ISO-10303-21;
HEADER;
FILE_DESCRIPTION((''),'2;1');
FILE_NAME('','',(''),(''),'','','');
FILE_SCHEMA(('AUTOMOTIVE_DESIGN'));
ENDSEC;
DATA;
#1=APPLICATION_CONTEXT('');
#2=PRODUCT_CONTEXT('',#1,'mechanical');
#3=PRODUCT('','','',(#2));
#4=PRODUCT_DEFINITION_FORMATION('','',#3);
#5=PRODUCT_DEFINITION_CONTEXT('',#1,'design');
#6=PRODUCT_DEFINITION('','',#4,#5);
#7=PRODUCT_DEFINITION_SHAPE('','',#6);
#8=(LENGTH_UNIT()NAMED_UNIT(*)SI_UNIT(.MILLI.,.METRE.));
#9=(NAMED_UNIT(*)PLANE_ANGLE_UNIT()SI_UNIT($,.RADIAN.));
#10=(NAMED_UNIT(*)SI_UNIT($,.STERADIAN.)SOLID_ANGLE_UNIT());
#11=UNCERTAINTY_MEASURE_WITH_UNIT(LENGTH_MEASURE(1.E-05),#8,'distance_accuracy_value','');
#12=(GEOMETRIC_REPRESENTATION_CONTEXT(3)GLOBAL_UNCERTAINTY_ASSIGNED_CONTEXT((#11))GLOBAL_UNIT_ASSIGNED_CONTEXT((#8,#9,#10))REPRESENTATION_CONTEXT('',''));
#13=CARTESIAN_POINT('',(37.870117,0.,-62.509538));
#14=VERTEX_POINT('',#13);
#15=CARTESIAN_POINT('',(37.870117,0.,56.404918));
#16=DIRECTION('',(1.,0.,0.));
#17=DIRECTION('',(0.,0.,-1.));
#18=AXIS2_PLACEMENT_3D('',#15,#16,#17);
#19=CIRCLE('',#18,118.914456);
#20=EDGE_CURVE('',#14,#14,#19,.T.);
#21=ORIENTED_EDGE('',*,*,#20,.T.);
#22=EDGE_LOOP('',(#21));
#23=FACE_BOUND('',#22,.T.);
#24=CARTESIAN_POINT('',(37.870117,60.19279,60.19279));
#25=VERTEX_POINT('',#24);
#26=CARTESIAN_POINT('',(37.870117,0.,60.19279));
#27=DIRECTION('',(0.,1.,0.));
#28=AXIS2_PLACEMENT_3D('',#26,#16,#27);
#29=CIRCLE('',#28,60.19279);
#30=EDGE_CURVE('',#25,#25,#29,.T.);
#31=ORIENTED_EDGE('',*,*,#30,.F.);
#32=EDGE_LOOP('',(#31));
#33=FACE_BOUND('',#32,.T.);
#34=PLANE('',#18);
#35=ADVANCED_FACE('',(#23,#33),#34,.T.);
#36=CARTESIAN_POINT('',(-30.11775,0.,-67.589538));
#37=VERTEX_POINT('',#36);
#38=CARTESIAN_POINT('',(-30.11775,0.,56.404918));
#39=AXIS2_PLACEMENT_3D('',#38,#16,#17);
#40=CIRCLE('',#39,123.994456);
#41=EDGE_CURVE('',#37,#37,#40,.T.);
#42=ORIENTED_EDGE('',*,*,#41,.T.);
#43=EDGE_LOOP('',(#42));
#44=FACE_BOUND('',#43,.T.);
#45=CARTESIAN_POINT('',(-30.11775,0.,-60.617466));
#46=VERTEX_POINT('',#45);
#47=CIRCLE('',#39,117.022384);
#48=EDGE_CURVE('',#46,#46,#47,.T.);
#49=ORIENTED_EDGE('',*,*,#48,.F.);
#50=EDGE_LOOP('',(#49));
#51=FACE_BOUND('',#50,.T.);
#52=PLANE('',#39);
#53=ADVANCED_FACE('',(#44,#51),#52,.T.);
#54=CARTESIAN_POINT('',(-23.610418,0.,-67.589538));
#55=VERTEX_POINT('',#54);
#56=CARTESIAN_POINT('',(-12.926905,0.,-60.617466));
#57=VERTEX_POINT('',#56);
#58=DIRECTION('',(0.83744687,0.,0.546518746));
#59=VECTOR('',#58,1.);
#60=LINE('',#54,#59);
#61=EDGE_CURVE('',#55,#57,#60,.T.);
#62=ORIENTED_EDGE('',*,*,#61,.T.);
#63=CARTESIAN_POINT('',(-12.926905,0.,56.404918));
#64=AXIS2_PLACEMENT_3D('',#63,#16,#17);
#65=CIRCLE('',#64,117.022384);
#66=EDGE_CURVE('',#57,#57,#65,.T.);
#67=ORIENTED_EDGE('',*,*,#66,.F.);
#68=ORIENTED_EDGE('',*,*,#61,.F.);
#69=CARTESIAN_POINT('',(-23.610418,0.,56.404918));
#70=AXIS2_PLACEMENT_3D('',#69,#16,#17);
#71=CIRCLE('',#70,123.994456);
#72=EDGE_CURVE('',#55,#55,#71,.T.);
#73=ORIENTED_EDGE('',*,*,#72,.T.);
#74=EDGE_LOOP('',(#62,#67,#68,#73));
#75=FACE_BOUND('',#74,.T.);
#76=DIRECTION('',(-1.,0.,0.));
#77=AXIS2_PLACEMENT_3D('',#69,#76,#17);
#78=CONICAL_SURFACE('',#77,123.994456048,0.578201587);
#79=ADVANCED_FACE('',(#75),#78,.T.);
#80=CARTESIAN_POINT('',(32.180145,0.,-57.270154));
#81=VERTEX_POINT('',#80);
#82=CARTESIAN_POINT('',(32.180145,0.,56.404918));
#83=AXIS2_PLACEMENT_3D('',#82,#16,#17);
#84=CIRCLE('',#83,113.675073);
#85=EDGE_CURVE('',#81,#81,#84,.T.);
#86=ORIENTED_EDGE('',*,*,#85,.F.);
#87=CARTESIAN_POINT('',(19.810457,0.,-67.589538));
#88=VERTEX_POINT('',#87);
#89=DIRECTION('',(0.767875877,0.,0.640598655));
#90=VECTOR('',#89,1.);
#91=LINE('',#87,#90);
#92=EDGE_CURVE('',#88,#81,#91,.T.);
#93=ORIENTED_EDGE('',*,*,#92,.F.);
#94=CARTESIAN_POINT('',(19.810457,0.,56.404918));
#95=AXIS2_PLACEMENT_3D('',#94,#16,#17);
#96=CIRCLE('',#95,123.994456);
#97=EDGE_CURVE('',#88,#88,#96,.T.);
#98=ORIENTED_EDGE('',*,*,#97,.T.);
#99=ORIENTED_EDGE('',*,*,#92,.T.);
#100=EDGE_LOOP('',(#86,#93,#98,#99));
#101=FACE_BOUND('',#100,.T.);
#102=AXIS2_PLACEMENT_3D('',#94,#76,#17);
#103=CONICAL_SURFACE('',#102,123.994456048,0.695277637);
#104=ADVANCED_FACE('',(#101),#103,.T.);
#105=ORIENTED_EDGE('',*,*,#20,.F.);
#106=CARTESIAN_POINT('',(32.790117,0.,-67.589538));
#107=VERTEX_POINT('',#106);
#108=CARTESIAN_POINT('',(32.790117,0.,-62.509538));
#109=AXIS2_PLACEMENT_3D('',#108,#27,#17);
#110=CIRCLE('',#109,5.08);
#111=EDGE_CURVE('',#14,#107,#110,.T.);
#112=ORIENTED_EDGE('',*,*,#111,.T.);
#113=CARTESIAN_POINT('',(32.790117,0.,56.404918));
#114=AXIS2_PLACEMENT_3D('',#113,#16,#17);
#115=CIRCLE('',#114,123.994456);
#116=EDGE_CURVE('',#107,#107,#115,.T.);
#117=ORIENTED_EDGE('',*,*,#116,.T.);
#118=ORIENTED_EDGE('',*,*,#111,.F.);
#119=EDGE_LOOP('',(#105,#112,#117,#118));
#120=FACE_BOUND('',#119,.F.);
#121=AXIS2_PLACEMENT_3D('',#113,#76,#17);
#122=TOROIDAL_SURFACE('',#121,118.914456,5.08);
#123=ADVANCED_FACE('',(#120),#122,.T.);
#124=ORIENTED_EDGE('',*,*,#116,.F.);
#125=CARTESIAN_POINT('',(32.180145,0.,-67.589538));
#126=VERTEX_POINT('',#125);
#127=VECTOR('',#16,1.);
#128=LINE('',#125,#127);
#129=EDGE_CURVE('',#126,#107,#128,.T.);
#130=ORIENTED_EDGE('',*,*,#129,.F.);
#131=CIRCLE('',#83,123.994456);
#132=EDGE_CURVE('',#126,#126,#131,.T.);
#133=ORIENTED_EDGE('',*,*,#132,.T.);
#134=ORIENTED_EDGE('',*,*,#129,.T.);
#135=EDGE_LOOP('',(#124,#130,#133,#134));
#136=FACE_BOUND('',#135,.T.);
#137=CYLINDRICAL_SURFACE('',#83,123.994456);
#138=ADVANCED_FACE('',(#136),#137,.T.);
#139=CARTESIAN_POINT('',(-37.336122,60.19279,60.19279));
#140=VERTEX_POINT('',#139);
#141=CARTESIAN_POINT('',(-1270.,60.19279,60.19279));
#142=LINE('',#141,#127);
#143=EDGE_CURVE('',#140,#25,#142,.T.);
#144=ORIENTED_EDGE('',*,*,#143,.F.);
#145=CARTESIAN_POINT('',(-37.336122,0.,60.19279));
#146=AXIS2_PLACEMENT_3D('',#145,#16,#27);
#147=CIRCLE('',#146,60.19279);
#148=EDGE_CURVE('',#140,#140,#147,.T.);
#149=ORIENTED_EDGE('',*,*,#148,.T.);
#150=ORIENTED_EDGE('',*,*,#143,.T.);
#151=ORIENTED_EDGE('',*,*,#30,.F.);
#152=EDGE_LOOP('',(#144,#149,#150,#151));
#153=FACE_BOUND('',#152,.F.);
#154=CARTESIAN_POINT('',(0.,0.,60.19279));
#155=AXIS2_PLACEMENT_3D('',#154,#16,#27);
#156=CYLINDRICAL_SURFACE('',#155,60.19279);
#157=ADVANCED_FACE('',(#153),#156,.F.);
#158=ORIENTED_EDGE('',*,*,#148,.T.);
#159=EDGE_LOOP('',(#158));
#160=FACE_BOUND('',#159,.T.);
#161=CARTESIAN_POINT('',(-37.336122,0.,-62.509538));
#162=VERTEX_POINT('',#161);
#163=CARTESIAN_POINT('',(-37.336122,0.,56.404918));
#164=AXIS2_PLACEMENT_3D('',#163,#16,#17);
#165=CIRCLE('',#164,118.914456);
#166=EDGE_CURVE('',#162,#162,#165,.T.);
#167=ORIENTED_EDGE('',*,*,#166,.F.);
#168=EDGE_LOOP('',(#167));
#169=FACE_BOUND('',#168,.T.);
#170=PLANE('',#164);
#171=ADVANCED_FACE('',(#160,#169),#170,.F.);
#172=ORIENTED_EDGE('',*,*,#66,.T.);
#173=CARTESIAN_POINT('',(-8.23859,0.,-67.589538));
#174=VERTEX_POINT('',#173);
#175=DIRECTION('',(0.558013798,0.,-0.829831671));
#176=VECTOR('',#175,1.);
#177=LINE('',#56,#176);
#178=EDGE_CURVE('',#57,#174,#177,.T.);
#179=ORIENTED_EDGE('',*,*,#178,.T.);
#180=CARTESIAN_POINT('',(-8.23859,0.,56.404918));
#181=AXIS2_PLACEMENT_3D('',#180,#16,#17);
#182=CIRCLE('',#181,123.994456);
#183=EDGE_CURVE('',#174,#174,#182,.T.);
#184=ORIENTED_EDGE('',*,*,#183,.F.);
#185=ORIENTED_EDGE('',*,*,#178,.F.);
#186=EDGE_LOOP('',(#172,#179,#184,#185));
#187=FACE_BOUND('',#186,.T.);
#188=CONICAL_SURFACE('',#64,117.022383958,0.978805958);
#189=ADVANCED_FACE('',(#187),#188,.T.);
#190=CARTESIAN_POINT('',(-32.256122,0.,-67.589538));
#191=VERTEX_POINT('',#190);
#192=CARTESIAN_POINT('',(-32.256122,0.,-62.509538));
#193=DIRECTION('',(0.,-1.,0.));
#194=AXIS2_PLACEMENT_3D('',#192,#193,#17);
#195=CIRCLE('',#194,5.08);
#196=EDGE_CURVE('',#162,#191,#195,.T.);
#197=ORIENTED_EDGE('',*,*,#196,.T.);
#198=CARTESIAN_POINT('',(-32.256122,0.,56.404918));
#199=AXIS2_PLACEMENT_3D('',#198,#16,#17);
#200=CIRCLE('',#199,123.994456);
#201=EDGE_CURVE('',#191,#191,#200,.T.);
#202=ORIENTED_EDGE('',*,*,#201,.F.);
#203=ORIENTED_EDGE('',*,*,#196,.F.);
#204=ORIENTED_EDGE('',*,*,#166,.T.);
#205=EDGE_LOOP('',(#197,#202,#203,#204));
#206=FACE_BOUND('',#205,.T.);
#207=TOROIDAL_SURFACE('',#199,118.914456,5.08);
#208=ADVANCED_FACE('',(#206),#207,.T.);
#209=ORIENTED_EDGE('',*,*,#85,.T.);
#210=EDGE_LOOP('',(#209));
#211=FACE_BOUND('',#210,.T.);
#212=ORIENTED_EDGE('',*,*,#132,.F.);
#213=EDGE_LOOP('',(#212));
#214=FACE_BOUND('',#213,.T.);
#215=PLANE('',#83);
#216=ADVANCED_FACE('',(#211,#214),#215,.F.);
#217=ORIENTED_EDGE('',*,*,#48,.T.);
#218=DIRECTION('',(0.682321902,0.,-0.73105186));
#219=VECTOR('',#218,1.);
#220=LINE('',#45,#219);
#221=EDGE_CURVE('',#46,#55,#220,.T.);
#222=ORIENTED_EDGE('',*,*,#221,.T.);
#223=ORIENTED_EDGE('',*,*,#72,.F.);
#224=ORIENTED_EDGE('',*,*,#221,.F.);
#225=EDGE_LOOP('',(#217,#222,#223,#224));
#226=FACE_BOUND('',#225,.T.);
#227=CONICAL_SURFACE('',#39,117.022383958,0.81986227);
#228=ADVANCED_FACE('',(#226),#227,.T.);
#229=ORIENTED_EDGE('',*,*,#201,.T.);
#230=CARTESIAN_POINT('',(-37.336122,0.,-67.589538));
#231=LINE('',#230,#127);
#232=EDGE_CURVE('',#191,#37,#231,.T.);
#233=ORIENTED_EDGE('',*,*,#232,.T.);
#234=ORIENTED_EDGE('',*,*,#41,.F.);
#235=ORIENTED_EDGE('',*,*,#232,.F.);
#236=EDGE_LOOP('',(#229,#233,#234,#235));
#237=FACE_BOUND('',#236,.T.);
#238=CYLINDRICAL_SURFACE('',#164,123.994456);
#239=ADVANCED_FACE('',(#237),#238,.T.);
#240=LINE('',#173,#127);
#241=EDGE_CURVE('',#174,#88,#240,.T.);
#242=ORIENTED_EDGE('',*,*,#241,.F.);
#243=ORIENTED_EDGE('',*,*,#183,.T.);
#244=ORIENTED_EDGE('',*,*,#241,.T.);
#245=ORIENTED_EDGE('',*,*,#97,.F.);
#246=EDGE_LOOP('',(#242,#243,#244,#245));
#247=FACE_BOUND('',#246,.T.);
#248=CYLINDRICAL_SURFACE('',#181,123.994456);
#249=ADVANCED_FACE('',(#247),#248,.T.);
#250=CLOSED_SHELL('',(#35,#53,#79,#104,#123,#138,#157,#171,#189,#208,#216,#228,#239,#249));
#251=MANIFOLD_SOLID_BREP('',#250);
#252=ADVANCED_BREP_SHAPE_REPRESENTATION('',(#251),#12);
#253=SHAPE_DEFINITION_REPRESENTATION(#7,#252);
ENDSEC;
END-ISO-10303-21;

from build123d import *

# Parameters (mm, degrees)
F2_R     = 60.1927898824
F3_DEPTH = 1270
F4_R     = 5.08


with BuildPart() as f1:
    # F0 (on Front) → F1 (revolve)
    with BuildSketch(Plane.XZ):
        Polygon((37.8701165318, 56.4049184322), (-37.3361222446, 56.4049184322), (-37.3361222446, -67.5895376156), (-30.1177501678, -67.5895376156), (-30.1177501678, -60.6174655259), (-23.6104177256, -67.5895376156), (-12.9269050552, -60.6174655259), (-8.2385898663, -67.5895376156), (19.8104574267, -67.5895376156), (32.1801453829, -57.270154357), (32.1801453829, -67.5895376156), (37.8701165318, -67.5895376156), align=None)
    revolve(axis=Axis((0.2669971436, 0, 56.4049184322), (1, 0, 0)))

    # F2 (on Right) → F3 (cut, symmetric)
    with BuildSketch(Plane.YZ):
        with Locations((0, 60.1927898824)):
            Circle(F2_R)
    extrude(amount=F3_DEPTH, both=True, mode=Mode.SUBTRACT)

    # F4
    f4_edges = [f1.edges().sort_by_distance(p)[0] for p in [
        (37.870117, 0, 180.399374),
        (-37.336122, 0, 180.399374),
    ]]
    fillet(f4_edges, radius=F4_R)


solid = f1.part
